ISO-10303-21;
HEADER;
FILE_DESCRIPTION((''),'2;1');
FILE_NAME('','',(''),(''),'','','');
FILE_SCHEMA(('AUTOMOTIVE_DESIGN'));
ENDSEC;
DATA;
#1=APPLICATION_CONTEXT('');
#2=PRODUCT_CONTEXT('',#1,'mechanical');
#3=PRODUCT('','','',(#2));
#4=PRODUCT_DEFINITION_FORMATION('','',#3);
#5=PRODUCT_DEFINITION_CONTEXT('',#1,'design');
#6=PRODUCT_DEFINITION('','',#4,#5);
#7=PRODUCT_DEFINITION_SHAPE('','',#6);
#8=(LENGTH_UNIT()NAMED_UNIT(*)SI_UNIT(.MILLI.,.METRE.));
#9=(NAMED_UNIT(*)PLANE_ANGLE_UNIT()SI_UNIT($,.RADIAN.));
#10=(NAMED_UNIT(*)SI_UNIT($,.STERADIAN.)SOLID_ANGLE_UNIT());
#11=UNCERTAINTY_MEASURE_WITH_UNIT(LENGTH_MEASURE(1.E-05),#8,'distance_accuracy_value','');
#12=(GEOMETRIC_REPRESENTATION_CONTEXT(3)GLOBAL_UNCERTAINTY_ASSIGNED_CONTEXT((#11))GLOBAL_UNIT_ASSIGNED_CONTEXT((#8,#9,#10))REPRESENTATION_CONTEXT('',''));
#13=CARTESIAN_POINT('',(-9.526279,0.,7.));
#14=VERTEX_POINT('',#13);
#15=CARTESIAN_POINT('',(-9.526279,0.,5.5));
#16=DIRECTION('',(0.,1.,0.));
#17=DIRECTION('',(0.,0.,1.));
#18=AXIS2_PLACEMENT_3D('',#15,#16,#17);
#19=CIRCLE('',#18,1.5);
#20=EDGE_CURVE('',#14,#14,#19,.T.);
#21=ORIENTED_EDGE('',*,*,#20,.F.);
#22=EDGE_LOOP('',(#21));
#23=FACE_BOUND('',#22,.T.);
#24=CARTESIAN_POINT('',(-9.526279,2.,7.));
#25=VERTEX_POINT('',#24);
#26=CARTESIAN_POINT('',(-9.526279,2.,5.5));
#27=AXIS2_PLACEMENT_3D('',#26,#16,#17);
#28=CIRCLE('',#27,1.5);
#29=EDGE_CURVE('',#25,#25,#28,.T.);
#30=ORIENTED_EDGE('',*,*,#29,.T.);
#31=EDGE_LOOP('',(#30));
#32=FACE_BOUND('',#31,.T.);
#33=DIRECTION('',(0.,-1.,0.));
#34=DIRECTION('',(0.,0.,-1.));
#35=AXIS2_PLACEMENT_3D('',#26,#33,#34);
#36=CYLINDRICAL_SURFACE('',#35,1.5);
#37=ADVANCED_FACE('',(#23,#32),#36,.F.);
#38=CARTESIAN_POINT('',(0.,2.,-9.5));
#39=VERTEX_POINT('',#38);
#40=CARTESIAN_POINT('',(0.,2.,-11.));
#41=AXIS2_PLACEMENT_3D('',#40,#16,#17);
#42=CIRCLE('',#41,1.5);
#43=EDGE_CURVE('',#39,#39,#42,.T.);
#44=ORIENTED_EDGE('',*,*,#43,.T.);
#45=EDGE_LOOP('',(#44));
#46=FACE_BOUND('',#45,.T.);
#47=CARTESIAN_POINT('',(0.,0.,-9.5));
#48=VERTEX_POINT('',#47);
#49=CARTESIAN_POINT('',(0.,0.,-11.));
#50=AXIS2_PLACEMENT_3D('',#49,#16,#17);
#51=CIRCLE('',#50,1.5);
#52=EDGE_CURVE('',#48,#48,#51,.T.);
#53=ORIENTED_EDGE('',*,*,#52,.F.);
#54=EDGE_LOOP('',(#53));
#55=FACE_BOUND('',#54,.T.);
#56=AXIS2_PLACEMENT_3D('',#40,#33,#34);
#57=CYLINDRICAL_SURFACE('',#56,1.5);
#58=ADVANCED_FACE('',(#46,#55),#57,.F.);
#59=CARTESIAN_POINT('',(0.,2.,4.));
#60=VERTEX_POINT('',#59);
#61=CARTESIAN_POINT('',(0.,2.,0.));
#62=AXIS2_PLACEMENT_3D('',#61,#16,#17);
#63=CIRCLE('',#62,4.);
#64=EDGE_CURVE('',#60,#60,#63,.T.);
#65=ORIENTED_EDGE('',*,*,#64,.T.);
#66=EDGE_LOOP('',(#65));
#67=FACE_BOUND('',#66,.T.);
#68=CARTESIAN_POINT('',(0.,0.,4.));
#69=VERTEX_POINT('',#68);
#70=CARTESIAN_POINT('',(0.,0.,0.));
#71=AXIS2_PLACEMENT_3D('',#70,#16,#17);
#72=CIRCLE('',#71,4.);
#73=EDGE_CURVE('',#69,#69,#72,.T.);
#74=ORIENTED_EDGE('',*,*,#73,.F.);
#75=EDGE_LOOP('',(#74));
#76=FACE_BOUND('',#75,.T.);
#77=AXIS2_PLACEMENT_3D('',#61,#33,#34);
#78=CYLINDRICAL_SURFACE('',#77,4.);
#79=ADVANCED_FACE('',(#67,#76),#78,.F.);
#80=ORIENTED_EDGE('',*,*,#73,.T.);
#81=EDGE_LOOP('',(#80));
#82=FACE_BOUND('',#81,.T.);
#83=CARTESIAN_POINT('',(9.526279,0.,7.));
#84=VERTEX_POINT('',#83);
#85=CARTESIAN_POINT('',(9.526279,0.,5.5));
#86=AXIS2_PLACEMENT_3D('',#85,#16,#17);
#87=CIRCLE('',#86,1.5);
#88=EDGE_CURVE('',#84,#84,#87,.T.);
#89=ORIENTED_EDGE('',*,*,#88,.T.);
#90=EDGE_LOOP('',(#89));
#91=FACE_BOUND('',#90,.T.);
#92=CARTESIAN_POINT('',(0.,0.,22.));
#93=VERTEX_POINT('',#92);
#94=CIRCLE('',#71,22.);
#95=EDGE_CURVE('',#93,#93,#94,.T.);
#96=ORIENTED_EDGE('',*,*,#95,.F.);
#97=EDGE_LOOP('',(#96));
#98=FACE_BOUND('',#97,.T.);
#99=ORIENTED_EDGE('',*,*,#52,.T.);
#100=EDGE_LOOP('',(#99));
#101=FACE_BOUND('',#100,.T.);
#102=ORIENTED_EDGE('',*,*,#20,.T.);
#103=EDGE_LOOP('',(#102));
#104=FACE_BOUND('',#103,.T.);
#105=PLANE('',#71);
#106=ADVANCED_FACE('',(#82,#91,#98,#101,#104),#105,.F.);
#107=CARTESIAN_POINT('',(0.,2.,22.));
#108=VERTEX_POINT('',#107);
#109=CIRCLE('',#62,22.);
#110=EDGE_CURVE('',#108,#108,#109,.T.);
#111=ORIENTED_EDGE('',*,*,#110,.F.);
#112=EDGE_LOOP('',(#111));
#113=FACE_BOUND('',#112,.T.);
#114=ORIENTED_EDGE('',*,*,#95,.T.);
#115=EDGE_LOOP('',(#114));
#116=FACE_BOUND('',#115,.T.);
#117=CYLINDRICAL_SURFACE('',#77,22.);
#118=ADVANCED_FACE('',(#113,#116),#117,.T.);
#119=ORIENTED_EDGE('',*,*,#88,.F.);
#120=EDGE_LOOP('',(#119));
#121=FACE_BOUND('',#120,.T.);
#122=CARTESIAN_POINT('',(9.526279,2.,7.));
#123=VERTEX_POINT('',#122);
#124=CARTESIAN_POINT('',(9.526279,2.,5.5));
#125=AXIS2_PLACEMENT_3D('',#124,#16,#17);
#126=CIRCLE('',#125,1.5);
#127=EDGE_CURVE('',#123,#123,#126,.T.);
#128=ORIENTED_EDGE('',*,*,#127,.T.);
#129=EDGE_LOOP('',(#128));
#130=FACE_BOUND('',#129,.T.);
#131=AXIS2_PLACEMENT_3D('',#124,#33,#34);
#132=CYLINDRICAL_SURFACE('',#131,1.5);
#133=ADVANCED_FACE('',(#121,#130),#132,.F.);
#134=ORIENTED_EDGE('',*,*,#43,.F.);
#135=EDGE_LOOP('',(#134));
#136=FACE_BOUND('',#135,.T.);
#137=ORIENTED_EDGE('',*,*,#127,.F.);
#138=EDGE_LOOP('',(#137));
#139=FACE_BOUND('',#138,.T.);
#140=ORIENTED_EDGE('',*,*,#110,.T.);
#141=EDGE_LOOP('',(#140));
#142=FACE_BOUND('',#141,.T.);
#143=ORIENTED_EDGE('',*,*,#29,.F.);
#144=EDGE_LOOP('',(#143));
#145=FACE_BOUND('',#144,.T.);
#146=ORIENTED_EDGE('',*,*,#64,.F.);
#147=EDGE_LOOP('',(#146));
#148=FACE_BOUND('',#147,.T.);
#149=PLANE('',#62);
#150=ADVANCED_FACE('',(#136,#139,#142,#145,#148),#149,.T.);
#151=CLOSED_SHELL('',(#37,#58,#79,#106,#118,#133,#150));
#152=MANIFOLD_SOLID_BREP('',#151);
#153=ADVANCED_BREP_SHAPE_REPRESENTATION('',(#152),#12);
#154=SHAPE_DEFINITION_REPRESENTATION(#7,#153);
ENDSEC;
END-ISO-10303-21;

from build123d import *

# Parameters (mm, degrees)
SKETCH1_R           = 22
SKETCH1_R_2         = 4
SKETCH1_R_3         = 1.5
BOSS_EXTRUDE1_DEPTH = 2


with BuildPart() as part:
    # Sketch1 → Boss-Extrude1 (new body)
    with BuildSketch(Plane(origin=(0, 0, 0), x_dir=(1, 0, 0), z_dir=(0, 1, 0))):
        with Locations(Location((0, 0, 0), (0, 0, 270))):
            Circle(SKETCH1_R)
        with Locations(Location((0, 0, 0), (0, 0, 270))):
            Circle(SKETCH1_R_2, mode=Mode.SUBTRACT)
        with Locations(Location((0, 11, 0), (0, 0, 270))):
            Circle(SKETCH1_R_3, mode=Mode.SUBTRACT)
        with Locations(Location((9.526279442, -5.5, 0), (0, 0, 270))):
            Circle(SKETCH1_R_3, mode=Mode.SUBTRACT)
        with Locations(Location((-9.526279442, -5.5, 0), (0, 0, 270))):
            Circle(SKETCH1_R_3, mode=Mode.SUBTRACT)
    extrude(amount=BOSS_EXTRUDE1_DEPTH)


solid = part.part
